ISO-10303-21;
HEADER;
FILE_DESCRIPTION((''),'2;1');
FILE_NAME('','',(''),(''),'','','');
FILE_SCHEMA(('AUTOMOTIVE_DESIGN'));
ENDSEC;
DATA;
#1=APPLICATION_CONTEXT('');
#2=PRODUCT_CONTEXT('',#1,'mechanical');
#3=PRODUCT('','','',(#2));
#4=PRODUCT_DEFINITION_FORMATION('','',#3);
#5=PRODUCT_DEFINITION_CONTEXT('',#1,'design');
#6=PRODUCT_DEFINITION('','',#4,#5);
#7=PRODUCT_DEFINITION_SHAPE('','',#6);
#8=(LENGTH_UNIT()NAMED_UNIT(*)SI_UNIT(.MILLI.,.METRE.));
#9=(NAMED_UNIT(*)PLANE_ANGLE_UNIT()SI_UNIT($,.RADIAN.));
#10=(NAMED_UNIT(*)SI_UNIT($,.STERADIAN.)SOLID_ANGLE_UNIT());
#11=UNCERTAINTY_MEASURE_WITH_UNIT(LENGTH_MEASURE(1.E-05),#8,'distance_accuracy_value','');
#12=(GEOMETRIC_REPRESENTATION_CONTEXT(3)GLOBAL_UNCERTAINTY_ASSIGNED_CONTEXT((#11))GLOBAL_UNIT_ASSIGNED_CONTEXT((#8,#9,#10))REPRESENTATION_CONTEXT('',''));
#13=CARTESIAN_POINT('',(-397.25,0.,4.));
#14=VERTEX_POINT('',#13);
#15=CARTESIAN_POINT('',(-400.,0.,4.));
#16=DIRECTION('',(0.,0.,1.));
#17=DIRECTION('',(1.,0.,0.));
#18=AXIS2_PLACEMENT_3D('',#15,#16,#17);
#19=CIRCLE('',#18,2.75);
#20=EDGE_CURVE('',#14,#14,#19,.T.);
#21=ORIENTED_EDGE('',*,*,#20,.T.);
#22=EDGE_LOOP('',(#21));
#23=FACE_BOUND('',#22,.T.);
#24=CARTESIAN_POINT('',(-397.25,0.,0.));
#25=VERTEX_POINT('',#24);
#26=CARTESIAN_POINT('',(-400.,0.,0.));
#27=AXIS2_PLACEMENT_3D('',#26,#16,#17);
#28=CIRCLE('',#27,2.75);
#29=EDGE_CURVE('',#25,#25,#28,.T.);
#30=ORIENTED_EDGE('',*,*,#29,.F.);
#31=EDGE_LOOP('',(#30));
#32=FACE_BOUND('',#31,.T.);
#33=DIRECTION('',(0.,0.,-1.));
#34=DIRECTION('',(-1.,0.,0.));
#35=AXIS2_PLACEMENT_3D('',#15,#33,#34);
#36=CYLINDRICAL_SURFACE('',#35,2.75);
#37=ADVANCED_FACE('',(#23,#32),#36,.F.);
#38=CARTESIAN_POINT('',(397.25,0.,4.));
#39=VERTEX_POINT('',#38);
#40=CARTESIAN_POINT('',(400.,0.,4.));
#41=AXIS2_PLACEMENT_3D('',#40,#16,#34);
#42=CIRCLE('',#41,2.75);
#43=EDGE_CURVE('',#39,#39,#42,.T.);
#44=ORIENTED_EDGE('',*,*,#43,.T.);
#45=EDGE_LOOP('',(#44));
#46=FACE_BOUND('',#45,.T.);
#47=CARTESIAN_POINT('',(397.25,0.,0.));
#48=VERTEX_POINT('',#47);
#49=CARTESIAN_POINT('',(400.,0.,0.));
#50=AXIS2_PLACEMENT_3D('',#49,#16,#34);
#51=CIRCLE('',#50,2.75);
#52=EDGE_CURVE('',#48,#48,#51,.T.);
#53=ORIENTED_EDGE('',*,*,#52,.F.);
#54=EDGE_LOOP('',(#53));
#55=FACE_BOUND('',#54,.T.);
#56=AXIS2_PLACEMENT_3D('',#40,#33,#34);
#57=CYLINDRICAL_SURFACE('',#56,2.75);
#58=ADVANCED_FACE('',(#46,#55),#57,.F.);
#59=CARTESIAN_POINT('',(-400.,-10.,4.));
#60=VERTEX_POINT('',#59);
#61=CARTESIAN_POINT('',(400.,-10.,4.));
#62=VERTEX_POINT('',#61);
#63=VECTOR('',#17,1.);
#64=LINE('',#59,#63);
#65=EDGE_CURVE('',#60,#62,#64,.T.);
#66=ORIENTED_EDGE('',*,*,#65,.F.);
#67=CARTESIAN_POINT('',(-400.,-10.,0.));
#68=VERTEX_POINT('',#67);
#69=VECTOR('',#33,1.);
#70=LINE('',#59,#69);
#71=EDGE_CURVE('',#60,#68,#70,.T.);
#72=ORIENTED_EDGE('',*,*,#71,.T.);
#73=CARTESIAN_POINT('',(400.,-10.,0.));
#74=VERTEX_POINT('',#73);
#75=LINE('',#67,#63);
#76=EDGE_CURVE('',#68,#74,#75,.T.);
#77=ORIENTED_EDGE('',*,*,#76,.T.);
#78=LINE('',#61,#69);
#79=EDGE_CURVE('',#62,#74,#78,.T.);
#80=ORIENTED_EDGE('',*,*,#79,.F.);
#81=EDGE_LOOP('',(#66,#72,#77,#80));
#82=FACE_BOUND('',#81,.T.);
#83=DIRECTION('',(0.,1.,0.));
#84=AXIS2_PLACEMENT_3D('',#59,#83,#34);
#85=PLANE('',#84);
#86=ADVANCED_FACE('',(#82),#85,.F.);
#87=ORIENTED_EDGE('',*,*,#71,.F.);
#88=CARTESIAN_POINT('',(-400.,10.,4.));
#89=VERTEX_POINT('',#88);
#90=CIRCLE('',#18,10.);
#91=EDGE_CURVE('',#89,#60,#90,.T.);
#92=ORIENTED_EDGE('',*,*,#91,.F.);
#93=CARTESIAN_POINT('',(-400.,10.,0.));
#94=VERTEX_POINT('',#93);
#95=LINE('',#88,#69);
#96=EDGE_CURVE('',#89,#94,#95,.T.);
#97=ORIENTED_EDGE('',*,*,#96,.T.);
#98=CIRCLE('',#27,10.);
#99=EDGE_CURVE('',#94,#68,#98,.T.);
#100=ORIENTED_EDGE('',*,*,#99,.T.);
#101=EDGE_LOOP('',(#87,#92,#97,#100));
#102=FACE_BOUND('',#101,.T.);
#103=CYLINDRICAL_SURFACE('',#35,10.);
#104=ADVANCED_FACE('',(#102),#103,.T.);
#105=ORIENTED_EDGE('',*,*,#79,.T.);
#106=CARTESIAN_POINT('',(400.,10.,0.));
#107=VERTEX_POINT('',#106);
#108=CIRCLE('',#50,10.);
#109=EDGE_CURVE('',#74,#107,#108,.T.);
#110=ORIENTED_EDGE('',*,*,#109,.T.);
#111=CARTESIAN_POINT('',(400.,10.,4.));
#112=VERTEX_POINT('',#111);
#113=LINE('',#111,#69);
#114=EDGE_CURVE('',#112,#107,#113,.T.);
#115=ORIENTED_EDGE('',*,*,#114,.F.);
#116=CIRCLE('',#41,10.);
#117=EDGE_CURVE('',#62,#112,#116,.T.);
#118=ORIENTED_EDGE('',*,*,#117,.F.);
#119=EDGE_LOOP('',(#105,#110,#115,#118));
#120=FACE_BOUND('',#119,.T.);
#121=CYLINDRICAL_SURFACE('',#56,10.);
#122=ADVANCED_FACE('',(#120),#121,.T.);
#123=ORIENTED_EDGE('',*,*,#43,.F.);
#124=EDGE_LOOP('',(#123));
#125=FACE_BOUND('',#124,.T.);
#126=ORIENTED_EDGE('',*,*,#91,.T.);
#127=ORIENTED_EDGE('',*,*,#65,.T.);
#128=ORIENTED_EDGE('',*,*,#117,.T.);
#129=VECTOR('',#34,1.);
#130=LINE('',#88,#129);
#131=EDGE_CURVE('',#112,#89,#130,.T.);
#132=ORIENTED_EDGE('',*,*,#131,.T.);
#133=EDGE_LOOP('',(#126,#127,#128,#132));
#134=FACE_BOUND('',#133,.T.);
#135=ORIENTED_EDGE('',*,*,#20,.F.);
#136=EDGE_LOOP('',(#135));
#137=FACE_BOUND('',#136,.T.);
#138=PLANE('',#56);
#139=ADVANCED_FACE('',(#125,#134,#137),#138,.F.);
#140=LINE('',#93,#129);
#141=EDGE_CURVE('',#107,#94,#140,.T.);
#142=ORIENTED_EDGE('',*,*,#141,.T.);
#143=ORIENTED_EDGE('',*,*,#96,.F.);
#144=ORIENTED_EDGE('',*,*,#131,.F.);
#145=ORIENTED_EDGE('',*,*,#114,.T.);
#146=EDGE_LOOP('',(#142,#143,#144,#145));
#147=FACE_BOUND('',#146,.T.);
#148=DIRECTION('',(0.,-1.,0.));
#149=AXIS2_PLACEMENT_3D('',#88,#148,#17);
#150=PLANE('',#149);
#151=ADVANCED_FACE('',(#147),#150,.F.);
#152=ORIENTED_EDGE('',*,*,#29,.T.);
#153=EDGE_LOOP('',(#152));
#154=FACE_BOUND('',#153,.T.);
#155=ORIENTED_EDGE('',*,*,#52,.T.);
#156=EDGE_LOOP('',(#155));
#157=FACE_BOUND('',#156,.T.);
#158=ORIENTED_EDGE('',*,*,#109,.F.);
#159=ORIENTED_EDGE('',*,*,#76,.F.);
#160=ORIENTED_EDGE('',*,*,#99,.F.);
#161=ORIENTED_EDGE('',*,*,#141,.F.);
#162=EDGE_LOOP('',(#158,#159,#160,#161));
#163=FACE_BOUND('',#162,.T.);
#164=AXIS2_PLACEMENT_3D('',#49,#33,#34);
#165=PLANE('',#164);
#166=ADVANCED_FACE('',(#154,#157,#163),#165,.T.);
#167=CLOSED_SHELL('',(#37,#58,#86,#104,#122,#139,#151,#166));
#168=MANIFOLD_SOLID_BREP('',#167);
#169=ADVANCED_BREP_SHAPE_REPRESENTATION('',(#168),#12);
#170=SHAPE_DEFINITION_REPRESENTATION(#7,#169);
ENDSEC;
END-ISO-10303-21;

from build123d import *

# Parameters (mm, degrees)
SKETCH1_R           = 2.75
BOSS_EXTRUDE1_DEPTH = 4


with BuildPart() as part:
    # Sketch1 → Boss-Extrude1 (new body)
    with BuildSketch(Plane.XY):
        with BuildLine():
            Line((-400, -10), (400, -10))
            ThreePointArc((400, -10), (410, 0), (400, 10))
            Line((400, 10), (-400, 10))
            ThreePointArc((-400, 10), (-410, 0), (-400, -10))
        make_face()
        with Locations((-400, 0)):
            Circle(SKETCH1_R, mode=Mode.SUBTRACT)
        with Locations(Location((400, 0, 0), (0, 0, 180))):
            Circle(SKETCH1_R, mode=Mode.SUBTRACT)
    extrude(amount=BOSS_EXTRUDE1_DEPTH)


solid = part.part
